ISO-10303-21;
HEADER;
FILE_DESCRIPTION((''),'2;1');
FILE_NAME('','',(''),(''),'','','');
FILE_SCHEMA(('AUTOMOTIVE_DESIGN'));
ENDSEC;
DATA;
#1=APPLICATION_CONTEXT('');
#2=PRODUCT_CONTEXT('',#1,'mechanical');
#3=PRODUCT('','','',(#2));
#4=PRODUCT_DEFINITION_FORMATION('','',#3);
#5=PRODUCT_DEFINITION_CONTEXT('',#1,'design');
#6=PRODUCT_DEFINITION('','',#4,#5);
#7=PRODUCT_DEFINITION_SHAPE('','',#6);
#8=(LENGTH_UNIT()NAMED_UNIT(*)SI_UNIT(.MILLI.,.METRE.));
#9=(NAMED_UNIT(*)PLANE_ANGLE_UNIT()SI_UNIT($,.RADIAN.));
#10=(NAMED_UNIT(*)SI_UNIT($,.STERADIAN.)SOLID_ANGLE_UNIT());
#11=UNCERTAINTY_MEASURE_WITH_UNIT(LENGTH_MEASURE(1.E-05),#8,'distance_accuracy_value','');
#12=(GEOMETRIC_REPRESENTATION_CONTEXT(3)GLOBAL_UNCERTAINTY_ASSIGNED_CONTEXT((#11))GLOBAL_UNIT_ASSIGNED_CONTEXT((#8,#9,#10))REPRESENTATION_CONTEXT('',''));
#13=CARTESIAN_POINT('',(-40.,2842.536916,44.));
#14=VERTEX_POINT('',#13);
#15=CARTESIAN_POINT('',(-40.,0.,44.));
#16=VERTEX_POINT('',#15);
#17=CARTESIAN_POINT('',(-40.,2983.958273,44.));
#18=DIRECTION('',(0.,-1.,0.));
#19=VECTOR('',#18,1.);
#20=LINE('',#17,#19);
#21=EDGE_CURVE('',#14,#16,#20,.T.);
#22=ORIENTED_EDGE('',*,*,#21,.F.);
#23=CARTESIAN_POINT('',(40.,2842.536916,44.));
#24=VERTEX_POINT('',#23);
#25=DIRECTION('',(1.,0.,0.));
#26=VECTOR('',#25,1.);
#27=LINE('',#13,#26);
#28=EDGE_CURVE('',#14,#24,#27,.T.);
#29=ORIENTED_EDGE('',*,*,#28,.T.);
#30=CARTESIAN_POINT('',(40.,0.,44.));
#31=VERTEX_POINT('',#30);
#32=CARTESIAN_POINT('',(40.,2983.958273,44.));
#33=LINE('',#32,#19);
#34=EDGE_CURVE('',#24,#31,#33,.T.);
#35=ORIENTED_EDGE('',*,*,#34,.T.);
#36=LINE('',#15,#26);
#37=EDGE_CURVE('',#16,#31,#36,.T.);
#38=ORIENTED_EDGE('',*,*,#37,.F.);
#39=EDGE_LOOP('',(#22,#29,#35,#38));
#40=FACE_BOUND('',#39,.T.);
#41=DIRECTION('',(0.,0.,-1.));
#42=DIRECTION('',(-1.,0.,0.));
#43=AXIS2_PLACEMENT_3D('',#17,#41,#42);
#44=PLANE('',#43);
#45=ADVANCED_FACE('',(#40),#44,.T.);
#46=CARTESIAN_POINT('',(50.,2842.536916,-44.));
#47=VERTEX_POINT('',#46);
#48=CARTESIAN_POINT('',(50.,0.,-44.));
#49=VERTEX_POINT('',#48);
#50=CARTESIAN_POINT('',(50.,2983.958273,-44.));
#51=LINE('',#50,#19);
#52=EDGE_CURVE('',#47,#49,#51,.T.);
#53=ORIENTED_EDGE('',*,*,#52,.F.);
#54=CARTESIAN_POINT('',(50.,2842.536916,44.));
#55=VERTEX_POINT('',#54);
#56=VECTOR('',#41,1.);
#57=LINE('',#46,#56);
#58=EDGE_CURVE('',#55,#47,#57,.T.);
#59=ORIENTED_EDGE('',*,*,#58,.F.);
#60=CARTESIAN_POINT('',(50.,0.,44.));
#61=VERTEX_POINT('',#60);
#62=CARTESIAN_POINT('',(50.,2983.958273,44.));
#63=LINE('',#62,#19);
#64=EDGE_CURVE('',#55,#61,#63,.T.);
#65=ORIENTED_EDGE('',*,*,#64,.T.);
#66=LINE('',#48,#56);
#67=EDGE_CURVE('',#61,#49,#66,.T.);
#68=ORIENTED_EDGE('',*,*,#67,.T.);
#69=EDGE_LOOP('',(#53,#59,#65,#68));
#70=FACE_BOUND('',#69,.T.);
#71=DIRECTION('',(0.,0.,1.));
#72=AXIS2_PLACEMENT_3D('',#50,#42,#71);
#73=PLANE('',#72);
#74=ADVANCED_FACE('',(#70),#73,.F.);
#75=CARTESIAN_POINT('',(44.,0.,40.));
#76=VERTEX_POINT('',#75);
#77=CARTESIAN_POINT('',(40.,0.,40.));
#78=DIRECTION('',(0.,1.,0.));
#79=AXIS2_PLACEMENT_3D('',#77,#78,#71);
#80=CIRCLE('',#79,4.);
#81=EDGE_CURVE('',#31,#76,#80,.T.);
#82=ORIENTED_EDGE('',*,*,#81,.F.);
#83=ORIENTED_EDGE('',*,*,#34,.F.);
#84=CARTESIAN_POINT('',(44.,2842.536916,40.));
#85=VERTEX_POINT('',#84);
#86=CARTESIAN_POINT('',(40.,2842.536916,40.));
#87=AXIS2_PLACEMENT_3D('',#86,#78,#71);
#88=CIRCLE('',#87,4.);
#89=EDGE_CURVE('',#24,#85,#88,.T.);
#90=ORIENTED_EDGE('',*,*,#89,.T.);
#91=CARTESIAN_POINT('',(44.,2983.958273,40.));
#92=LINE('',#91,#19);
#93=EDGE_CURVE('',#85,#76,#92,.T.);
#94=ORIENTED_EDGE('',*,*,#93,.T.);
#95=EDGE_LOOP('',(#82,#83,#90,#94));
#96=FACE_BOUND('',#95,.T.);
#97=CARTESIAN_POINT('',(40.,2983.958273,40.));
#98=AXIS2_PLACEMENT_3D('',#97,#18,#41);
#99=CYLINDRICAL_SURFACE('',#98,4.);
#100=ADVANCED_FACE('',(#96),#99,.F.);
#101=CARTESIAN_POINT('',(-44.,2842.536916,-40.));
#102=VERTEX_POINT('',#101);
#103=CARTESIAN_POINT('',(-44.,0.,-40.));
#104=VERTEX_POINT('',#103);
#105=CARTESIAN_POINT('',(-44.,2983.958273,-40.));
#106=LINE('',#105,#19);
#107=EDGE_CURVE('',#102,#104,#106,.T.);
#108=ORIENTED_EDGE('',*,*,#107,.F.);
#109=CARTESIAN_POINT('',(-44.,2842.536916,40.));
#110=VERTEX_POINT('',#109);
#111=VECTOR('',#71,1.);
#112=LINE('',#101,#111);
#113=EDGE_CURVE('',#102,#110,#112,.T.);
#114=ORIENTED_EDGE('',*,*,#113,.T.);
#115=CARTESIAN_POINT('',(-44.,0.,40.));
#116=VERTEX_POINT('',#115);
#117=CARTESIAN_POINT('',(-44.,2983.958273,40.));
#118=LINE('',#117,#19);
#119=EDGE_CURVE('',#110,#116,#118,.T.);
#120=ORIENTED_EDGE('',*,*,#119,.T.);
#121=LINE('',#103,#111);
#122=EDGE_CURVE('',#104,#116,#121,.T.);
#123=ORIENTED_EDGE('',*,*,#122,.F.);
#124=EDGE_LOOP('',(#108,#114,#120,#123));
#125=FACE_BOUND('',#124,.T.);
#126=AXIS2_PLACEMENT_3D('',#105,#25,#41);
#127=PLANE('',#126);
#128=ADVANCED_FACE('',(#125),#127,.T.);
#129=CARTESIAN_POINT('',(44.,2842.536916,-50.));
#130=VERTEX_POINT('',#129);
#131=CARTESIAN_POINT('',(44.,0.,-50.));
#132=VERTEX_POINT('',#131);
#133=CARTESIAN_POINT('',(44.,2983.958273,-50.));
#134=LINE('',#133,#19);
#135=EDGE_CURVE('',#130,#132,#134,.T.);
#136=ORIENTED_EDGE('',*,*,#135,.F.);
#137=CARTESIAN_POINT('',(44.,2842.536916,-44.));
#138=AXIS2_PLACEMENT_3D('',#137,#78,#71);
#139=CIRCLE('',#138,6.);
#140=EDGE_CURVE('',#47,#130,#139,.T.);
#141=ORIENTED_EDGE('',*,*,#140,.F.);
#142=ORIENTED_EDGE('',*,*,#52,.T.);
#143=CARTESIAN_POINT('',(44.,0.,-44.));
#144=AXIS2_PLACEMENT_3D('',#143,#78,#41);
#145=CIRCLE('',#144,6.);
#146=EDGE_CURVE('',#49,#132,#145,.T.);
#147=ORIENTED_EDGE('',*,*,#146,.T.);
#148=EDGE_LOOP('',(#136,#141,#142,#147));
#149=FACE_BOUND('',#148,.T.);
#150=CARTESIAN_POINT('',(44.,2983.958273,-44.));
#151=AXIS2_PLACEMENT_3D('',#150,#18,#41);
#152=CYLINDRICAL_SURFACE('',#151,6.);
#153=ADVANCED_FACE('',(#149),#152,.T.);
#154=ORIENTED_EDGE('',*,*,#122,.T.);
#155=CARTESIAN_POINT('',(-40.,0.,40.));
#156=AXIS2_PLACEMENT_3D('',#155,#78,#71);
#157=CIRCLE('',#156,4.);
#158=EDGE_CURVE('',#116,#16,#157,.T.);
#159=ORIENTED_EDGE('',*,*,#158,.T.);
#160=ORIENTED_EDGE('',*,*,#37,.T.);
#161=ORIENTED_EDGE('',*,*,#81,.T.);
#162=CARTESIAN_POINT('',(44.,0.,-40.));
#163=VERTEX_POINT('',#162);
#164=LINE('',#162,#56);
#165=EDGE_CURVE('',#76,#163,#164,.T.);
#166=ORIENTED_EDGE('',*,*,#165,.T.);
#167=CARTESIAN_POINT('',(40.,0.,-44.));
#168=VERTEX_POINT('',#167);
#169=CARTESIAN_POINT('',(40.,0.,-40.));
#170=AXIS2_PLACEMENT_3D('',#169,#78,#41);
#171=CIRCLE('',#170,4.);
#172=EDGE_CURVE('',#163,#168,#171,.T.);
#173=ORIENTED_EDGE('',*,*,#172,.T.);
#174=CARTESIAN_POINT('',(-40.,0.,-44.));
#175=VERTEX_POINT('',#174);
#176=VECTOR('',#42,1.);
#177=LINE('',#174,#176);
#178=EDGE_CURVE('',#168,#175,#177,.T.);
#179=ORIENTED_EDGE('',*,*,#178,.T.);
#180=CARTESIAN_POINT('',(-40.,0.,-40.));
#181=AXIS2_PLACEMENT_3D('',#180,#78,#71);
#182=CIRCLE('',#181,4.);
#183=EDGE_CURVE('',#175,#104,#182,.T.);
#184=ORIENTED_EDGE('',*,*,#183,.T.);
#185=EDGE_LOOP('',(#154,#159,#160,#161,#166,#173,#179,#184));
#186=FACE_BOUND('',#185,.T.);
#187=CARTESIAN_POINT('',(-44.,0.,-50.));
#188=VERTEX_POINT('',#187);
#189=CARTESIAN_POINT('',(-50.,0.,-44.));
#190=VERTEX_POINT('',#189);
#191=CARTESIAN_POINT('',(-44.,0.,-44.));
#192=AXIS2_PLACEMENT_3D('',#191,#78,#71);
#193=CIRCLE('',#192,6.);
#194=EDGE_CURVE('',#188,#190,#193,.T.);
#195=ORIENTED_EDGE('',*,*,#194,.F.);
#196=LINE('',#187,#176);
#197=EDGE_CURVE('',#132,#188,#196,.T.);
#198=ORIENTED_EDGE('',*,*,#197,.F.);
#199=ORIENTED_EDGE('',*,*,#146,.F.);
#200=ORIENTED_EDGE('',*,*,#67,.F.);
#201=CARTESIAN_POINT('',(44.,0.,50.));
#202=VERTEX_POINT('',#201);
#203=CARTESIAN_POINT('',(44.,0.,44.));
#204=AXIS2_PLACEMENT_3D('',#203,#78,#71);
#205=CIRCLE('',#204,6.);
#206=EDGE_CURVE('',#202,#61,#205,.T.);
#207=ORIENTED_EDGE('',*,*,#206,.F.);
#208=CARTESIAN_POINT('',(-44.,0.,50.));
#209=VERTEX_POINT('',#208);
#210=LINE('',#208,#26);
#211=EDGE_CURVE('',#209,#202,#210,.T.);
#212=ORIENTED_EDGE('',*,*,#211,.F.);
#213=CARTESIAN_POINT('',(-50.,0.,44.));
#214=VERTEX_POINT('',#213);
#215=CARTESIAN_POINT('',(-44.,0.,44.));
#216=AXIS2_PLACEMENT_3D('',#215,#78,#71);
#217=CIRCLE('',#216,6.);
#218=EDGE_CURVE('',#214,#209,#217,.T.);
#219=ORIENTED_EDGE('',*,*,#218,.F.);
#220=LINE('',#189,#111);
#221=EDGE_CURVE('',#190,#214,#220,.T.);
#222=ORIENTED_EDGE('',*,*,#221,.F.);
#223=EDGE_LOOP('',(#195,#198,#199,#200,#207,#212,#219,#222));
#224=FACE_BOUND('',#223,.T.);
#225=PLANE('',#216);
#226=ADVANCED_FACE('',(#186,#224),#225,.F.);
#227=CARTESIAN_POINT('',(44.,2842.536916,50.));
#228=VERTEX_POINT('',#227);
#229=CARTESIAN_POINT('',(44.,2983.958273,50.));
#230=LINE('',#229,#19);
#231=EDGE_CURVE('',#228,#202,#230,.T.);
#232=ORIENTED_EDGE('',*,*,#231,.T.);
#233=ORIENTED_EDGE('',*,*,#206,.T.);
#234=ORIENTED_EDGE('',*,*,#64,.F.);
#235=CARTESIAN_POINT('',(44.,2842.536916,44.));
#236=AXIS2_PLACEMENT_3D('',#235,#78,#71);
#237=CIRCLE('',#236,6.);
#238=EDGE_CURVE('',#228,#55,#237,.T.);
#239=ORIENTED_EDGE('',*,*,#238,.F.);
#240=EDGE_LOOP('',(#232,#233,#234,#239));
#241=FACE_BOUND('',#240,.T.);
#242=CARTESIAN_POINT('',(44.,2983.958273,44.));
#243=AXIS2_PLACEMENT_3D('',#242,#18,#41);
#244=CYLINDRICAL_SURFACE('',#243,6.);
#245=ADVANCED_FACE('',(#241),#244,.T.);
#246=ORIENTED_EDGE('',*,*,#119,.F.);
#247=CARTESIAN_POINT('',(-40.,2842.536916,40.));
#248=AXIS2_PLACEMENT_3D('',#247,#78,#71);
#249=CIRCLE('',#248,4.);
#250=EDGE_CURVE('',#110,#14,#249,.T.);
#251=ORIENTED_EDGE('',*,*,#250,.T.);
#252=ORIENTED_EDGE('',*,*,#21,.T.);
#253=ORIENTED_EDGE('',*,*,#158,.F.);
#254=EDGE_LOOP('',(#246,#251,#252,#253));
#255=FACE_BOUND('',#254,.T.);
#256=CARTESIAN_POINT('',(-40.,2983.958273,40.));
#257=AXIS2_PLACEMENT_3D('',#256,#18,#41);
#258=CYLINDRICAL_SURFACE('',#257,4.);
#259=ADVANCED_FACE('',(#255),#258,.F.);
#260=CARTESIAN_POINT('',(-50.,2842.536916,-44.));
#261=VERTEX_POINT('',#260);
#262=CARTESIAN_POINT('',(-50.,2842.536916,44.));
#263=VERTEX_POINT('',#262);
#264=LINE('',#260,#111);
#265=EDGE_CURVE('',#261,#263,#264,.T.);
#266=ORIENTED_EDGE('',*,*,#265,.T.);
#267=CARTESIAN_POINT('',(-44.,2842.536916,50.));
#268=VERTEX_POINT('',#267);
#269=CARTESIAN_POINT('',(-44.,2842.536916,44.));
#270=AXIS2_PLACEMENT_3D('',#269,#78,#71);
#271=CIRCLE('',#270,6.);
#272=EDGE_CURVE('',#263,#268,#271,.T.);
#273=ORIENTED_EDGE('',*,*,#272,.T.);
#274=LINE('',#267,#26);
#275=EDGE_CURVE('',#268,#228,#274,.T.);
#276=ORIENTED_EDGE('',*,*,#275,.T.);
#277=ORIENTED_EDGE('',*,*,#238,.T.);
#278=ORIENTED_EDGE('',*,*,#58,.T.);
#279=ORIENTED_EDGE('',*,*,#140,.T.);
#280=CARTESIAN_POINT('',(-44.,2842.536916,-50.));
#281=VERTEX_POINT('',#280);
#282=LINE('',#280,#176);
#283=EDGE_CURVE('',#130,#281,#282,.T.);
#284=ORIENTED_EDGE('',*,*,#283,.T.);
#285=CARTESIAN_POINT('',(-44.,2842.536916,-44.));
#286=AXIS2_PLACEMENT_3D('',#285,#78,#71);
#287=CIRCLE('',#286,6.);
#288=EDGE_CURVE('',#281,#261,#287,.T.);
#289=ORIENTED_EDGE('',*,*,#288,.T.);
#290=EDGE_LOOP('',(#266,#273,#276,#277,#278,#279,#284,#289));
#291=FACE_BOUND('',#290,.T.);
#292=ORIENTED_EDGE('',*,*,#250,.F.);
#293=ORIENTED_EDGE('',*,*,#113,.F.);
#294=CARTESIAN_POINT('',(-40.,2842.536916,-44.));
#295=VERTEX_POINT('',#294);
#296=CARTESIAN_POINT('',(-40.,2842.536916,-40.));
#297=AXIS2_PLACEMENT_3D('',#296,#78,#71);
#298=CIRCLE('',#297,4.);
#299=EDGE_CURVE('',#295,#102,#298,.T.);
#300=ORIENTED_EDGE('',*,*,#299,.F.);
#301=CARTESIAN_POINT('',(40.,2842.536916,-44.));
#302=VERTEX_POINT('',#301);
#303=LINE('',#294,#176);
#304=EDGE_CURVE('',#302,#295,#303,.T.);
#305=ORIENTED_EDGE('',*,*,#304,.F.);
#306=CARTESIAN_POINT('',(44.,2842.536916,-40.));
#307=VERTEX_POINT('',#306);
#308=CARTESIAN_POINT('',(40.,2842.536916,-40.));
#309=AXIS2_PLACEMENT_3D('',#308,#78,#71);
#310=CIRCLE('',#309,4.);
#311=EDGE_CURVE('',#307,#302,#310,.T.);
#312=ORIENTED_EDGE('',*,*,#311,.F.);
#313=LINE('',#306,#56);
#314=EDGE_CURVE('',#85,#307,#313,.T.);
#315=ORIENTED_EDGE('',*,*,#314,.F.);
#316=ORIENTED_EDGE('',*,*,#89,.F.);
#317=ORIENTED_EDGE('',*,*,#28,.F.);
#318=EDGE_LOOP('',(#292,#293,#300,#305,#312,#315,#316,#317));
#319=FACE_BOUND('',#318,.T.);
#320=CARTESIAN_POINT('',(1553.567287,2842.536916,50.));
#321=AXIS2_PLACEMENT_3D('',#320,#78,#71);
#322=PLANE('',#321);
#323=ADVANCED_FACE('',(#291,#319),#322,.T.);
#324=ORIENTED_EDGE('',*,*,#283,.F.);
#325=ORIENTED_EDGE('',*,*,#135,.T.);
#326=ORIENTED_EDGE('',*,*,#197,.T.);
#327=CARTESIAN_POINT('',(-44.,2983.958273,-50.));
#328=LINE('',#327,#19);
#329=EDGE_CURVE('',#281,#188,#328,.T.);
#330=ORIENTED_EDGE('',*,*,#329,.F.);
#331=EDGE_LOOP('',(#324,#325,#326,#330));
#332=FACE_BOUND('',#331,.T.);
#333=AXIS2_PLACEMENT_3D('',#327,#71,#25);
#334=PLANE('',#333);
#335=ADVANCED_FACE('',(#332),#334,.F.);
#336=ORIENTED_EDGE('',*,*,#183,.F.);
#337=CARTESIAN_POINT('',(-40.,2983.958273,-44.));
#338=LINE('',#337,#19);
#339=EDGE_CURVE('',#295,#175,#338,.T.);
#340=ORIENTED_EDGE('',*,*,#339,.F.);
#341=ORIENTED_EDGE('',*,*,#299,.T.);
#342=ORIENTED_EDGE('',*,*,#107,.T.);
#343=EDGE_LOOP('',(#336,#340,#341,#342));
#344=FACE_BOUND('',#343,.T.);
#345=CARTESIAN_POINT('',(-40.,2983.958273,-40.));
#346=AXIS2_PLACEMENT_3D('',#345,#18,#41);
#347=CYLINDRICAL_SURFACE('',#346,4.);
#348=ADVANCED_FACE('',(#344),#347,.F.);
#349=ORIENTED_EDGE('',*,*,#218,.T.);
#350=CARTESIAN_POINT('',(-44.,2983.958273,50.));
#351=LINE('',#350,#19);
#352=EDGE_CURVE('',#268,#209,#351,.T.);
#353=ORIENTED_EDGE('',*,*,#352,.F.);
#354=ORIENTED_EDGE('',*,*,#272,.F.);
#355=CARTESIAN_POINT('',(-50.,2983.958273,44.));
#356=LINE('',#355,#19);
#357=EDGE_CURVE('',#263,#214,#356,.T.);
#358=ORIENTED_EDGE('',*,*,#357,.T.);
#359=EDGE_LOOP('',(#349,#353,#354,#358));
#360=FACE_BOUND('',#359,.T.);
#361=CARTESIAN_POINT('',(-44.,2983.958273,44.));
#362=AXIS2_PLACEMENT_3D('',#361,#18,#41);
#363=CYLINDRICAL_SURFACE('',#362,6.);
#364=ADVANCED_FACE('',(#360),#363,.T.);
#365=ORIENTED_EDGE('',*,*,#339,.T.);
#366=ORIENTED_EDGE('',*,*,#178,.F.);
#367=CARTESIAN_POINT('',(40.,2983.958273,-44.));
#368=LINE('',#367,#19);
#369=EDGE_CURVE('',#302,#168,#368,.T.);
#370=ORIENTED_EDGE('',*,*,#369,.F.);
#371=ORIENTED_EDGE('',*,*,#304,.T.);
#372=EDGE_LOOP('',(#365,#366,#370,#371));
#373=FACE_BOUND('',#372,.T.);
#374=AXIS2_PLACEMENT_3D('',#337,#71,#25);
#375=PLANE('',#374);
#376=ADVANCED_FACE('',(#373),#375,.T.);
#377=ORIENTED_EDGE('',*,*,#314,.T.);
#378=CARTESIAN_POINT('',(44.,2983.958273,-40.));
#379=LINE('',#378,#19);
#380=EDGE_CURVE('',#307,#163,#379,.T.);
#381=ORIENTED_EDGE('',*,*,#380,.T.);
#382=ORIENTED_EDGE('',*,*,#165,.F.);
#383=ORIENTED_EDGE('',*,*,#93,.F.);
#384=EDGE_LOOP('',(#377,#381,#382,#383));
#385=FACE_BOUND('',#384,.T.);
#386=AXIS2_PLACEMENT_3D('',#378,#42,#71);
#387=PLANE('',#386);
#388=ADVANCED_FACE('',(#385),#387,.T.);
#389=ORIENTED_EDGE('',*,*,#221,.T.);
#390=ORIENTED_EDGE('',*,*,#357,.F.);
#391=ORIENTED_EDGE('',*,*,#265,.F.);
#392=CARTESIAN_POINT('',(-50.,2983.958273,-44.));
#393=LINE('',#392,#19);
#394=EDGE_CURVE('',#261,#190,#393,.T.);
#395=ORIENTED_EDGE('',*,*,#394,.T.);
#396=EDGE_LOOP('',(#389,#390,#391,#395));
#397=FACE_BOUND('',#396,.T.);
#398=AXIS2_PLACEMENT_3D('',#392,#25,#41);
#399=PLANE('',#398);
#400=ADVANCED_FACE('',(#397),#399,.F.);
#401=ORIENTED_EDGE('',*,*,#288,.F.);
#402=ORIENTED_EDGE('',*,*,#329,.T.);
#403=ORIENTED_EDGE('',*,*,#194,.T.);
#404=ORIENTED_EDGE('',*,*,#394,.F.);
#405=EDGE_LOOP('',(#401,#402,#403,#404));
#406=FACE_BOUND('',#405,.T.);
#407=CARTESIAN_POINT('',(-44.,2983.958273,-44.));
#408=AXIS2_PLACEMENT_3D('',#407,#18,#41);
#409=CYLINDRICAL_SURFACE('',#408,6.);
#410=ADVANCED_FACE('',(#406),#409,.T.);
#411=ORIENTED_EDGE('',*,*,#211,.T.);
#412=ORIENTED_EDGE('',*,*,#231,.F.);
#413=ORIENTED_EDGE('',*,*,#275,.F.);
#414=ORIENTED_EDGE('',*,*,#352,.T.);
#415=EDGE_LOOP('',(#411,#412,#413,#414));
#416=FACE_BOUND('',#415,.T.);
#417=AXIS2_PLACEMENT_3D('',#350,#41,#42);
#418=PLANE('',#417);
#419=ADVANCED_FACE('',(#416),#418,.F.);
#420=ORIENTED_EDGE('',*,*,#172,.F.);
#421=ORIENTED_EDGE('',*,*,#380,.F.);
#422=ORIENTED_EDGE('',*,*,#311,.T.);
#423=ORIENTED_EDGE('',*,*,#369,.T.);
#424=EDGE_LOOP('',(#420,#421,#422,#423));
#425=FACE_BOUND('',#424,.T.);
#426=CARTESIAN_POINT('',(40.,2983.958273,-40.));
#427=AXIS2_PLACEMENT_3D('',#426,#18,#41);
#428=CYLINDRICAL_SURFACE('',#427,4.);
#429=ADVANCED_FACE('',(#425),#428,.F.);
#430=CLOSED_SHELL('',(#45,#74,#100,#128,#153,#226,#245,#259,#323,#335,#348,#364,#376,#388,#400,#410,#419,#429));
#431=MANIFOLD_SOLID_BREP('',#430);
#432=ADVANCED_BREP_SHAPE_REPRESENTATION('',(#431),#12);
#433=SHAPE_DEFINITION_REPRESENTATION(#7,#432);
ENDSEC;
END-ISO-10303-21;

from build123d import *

# Parameters (mm, degrees)
EXTRUDE_1_DEPTH = 2842.536916465


with BuildPart() as part:
    # Эскиз1 → Бобышка-Вытянуть1 (new body)
    with BuildSketch(Plane(origin=(0, 0, 0), x_dir=(1, 0, 0), z_dir=(0, 1, 0))):
        with BuildLine():
            Line((-44, 50), (44, 50))
            ThreePointArc((44, 50), (48.242640687, 48.242640687), (50, 44))
            Line((50, 44), (50, -44))
            ThreePointArc((50, -44), (48.242640687, -48.242640687), (44, -50))
            Line((44, -50), (-44, -50))
            ThreePointArc((-44, -50), (-48.242640687, -48.242640687), (-50, -44))
            Line((-50, -44), (-50, 44))
            ThreePointArc((-50, 44), (-48.242640687, 48.242640687), (-44, 50))
        make_face()
        with BuildLine():
            Line((-40, 44), (40, 44))
            ThreePointArc((40, 44), (42.828427125, 42.828427125), (44, 40))
            Line((44, 40), (44, -40))
            ThreePointArc((44, -40), (42.828427125, -42.828427125), (40, -44))
            Line((40, -44), (-40, -44))
            ThreePointArc((-40, -44), (-42.828427125, -42.828427125), (-44, -40))
            Line((-44, -40), (-44, 40))
            ThreePointArc((-44, 40), (-42.828427125, 42.828427125), (-40, 44))
        make_face(mode=Mode.SUBTRACT)
    extrude(amount=EXTRUDE_1_DEPTH)


solid = part.part
